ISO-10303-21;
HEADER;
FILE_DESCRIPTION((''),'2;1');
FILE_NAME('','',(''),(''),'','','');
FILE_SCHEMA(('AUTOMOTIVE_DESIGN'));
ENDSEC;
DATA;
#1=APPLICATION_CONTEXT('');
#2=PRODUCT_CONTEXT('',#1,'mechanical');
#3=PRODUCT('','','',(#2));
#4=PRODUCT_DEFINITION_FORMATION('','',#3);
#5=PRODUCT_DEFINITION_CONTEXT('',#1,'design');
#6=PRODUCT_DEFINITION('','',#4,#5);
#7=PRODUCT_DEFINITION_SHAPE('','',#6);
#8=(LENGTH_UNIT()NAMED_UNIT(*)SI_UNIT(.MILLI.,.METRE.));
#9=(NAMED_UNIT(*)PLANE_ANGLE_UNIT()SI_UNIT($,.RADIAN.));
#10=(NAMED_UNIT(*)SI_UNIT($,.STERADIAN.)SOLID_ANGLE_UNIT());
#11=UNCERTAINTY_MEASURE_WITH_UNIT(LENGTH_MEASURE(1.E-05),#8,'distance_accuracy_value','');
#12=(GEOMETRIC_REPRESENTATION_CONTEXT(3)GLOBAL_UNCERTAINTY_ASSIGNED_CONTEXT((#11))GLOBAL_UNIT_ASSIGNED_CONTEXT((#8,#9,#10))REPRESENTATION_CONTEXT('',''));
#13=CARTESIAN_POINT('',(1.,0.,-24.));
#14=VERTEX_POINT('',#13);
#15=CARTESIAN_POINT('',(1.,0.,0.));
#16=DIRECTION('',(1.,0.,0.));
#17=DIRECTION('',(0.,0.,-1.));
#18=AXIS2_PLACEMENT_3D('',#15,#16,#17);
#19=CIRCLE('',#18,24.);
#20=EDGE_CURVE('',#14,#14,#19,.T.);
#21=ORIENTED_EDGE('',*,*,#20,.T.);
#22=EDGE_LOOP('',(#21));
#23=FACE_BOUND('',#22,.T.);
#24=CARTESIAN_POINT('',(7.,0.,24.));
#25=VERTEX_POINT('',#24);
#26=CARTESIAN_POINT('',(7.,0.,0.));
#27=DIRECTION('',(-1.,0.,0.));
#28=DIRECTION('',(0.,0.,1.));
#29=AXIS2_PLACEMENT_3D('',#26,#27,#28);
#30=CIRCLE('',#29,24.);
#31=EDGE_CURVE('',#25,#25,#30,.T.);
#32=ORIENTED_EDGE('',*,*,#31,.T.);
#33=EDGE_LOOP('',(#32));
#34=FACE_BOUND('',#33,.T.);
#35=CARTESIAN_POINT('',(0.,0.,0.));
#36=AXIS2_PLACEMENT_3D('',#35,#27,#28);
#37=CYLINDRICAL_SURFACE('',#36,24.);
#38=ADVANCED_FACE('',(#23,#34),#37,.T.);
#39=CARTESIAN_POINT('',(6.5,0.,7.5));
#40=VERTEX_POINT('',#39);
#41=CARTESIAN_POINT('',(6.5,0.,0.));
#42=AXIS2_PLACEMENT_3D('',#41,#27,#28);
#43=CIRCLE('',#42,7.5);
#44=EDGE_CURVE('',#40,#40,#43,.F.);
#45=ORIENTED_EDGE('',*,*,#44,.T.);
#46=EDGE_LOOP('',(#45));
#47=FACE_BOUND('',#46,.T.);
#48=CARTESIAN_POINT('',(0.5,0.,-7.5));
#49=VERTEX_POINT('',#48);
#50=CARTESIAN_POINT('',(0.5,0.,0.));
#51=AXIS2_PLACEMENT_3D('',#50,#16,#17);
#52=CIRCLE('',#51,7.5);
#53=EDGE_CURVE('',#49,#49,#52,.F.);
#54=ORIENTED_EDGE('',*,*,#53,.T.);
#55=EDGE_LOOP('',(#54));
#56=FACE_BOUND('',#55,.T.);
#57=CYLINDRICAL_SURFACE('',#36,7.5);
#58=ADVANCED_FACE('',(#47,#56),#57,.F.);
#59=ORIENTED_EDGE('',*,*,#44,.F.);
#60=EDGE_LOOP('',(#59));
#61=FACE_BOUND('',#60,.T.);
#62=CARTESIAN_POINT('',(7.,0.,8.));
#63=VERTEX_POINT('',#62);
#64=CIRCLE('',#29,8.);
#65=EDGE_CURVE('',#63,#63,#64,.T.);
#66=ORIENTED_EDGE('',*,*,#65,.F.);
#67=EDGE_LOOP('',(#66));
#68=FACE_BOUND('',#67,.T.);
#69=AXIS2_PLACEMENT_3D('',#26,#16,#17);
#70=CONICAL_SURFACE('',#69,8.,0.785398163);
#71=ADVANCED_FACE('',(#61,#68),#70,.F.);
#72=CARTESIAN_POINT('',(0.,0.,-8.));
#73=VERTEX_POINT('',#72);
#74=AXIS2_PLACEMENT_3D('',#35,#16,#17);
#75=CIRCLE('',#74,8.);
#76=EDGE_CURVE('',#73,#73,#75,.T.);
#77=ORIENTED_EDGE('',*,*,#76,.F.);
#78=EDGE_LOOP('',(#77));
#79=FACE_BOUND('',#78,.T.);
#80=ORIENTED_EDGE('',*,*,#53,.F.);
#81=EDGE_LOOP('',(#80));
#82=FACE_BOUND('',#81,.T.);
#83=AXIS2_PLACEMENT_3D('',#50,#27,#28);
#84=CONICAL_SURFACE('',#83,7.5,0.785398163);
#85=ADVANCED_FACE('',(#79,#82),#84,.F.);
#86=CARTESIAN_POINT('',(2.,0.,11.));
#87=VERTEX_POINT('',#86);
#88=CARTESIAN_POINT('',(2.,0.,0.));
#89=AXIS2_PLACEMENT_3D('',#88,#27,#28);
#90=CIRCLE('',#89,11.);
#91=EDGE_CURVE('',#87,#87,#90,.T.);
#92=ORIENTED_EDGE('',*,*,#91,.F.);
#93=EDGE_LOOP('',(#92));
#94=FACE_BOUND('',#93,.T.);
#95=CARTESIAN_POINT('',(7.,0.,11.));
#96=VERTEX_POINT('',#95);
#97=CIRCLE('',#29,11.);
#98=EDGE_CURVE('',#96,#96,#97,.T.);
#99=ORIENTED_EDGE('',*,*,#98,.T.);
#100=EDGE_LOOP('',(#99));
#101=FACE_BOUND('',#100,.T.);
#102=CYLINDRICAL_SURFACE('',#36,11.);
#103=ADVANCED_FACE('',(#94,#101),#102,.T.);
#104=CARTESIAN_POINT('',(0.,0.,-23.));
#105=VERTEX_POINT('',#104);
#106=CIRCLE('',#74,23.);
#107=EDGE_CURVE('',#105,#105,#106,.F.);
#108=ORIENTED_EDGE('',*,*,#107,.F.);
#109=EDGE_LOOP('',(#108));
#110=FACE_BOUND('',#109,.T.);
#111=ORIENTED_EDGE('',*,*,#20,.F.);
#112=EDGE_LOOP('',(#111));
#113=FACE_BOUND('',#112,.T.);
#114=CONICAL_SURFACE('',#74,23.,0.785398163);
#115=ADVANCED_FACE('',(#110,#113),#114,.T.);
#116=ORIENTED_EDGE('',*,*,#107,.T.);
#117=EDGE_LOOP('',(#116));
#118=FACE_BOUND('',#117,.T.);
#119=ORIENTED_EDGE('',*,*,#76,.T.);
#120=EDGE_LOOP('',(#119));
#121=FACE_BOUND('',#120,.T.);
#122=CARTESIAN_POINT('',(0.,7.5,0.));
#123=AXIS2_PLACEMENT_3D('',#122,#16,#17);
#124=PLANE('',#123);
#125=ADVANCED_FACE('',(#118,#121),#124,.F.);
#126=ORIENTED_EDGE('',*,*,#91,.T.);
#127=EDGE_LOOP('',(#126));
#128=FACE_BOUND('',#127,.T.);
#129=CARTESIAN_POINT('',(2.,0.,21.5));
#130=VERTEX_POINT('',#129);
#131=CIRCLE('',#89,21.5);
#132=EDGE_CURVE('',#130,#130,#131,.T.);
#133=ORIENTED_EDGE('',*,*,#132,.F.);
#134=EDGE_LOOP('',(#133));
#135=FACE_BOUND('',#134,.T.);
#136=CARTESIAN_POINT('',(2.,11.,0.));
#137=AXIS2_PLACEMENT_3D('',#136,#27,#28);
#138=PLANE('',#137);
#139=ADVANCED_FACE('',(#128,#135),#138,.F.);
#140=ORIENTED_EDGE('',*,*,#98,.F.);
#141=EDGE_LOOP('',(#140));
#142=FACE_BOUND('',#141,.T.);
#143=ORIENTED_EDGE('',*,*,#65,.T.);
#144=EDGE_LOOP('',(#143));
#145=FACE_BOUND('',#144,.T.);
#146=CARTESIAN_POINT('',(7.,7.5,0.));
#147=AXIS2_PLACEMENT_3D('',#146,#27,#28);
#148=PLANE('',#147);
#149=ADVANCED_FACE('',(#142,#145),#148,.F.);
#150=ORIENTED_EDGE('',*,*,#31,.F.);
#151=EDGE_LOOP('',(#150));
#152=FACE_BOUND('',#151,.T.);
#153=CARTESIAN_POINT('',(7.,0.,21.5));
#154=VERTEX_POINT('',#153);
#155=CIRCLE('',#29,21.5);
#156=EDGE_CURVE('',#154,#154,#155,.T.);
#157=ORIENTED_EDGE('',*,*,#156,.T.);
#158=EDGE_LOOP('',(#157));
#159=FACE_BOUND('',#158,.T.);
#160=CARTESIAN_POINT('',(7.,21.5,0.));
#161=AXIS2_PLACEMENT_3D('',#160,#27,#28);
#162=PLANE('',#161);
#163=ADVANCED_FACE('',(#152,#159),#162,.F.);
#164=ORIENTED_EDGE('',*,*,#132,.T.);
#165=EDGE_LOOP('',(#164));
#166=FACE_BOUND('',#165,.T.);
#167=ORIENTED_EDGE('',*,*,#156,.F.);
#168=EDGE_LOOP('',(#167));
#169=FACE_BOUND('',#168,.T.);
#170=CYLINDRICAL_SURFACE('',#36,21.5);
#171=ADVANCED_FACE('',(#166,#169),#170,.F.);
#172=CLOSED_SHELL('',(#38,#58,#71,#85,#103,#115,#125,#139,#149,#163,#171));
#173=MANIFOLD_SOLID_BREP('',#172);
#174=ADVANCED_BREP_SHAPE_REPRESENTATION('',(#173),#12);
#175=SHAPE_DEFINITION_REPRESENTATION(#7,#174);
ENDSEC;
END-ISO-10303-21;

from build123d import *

# Parameters (mm, degrees)
CHAMFER_1_SIZE = 1
CHAMFER_2_SIZE = 0.5


with BuildPart() as part:
    # Эскиз1 → Повернуть1 (revolve)
    with BuildSketch(Plane.XY, mode=Mode.PRIVATE) as revolve_1_sk:
        Polygon((7, 21.5), (2, 21.5), (2, 11), (7, 11), (7, 7.5), (0, 7.5), (0, 24), (7, 24), align=None)
    revolve(revolve_1_sk.sketch.rotate(Axis((0, 0, 0), (1, 0, 0)), 90), axis=Axis((0, 0, 0), (1, 0, 0)))

    # Фаска1
    chamfer_1_edges = [part.edges().sort_by_distance(p)[0] for p in [
        (0, 0, -24),
    ]]
    chamfer(chamfer_1_edges, length=CHAMFER_1_SIZE)

    # Фаска2
    chamfer_2_edges = [part.edges().sort_by_distance(p)[0] for p in [
        (7, 0, -7.5),
        (0, 0, -7.5),
    ]]
    chamfer(chamfer_2_edges, length=CHAMFER_2_SIZE)


solid = part.part
